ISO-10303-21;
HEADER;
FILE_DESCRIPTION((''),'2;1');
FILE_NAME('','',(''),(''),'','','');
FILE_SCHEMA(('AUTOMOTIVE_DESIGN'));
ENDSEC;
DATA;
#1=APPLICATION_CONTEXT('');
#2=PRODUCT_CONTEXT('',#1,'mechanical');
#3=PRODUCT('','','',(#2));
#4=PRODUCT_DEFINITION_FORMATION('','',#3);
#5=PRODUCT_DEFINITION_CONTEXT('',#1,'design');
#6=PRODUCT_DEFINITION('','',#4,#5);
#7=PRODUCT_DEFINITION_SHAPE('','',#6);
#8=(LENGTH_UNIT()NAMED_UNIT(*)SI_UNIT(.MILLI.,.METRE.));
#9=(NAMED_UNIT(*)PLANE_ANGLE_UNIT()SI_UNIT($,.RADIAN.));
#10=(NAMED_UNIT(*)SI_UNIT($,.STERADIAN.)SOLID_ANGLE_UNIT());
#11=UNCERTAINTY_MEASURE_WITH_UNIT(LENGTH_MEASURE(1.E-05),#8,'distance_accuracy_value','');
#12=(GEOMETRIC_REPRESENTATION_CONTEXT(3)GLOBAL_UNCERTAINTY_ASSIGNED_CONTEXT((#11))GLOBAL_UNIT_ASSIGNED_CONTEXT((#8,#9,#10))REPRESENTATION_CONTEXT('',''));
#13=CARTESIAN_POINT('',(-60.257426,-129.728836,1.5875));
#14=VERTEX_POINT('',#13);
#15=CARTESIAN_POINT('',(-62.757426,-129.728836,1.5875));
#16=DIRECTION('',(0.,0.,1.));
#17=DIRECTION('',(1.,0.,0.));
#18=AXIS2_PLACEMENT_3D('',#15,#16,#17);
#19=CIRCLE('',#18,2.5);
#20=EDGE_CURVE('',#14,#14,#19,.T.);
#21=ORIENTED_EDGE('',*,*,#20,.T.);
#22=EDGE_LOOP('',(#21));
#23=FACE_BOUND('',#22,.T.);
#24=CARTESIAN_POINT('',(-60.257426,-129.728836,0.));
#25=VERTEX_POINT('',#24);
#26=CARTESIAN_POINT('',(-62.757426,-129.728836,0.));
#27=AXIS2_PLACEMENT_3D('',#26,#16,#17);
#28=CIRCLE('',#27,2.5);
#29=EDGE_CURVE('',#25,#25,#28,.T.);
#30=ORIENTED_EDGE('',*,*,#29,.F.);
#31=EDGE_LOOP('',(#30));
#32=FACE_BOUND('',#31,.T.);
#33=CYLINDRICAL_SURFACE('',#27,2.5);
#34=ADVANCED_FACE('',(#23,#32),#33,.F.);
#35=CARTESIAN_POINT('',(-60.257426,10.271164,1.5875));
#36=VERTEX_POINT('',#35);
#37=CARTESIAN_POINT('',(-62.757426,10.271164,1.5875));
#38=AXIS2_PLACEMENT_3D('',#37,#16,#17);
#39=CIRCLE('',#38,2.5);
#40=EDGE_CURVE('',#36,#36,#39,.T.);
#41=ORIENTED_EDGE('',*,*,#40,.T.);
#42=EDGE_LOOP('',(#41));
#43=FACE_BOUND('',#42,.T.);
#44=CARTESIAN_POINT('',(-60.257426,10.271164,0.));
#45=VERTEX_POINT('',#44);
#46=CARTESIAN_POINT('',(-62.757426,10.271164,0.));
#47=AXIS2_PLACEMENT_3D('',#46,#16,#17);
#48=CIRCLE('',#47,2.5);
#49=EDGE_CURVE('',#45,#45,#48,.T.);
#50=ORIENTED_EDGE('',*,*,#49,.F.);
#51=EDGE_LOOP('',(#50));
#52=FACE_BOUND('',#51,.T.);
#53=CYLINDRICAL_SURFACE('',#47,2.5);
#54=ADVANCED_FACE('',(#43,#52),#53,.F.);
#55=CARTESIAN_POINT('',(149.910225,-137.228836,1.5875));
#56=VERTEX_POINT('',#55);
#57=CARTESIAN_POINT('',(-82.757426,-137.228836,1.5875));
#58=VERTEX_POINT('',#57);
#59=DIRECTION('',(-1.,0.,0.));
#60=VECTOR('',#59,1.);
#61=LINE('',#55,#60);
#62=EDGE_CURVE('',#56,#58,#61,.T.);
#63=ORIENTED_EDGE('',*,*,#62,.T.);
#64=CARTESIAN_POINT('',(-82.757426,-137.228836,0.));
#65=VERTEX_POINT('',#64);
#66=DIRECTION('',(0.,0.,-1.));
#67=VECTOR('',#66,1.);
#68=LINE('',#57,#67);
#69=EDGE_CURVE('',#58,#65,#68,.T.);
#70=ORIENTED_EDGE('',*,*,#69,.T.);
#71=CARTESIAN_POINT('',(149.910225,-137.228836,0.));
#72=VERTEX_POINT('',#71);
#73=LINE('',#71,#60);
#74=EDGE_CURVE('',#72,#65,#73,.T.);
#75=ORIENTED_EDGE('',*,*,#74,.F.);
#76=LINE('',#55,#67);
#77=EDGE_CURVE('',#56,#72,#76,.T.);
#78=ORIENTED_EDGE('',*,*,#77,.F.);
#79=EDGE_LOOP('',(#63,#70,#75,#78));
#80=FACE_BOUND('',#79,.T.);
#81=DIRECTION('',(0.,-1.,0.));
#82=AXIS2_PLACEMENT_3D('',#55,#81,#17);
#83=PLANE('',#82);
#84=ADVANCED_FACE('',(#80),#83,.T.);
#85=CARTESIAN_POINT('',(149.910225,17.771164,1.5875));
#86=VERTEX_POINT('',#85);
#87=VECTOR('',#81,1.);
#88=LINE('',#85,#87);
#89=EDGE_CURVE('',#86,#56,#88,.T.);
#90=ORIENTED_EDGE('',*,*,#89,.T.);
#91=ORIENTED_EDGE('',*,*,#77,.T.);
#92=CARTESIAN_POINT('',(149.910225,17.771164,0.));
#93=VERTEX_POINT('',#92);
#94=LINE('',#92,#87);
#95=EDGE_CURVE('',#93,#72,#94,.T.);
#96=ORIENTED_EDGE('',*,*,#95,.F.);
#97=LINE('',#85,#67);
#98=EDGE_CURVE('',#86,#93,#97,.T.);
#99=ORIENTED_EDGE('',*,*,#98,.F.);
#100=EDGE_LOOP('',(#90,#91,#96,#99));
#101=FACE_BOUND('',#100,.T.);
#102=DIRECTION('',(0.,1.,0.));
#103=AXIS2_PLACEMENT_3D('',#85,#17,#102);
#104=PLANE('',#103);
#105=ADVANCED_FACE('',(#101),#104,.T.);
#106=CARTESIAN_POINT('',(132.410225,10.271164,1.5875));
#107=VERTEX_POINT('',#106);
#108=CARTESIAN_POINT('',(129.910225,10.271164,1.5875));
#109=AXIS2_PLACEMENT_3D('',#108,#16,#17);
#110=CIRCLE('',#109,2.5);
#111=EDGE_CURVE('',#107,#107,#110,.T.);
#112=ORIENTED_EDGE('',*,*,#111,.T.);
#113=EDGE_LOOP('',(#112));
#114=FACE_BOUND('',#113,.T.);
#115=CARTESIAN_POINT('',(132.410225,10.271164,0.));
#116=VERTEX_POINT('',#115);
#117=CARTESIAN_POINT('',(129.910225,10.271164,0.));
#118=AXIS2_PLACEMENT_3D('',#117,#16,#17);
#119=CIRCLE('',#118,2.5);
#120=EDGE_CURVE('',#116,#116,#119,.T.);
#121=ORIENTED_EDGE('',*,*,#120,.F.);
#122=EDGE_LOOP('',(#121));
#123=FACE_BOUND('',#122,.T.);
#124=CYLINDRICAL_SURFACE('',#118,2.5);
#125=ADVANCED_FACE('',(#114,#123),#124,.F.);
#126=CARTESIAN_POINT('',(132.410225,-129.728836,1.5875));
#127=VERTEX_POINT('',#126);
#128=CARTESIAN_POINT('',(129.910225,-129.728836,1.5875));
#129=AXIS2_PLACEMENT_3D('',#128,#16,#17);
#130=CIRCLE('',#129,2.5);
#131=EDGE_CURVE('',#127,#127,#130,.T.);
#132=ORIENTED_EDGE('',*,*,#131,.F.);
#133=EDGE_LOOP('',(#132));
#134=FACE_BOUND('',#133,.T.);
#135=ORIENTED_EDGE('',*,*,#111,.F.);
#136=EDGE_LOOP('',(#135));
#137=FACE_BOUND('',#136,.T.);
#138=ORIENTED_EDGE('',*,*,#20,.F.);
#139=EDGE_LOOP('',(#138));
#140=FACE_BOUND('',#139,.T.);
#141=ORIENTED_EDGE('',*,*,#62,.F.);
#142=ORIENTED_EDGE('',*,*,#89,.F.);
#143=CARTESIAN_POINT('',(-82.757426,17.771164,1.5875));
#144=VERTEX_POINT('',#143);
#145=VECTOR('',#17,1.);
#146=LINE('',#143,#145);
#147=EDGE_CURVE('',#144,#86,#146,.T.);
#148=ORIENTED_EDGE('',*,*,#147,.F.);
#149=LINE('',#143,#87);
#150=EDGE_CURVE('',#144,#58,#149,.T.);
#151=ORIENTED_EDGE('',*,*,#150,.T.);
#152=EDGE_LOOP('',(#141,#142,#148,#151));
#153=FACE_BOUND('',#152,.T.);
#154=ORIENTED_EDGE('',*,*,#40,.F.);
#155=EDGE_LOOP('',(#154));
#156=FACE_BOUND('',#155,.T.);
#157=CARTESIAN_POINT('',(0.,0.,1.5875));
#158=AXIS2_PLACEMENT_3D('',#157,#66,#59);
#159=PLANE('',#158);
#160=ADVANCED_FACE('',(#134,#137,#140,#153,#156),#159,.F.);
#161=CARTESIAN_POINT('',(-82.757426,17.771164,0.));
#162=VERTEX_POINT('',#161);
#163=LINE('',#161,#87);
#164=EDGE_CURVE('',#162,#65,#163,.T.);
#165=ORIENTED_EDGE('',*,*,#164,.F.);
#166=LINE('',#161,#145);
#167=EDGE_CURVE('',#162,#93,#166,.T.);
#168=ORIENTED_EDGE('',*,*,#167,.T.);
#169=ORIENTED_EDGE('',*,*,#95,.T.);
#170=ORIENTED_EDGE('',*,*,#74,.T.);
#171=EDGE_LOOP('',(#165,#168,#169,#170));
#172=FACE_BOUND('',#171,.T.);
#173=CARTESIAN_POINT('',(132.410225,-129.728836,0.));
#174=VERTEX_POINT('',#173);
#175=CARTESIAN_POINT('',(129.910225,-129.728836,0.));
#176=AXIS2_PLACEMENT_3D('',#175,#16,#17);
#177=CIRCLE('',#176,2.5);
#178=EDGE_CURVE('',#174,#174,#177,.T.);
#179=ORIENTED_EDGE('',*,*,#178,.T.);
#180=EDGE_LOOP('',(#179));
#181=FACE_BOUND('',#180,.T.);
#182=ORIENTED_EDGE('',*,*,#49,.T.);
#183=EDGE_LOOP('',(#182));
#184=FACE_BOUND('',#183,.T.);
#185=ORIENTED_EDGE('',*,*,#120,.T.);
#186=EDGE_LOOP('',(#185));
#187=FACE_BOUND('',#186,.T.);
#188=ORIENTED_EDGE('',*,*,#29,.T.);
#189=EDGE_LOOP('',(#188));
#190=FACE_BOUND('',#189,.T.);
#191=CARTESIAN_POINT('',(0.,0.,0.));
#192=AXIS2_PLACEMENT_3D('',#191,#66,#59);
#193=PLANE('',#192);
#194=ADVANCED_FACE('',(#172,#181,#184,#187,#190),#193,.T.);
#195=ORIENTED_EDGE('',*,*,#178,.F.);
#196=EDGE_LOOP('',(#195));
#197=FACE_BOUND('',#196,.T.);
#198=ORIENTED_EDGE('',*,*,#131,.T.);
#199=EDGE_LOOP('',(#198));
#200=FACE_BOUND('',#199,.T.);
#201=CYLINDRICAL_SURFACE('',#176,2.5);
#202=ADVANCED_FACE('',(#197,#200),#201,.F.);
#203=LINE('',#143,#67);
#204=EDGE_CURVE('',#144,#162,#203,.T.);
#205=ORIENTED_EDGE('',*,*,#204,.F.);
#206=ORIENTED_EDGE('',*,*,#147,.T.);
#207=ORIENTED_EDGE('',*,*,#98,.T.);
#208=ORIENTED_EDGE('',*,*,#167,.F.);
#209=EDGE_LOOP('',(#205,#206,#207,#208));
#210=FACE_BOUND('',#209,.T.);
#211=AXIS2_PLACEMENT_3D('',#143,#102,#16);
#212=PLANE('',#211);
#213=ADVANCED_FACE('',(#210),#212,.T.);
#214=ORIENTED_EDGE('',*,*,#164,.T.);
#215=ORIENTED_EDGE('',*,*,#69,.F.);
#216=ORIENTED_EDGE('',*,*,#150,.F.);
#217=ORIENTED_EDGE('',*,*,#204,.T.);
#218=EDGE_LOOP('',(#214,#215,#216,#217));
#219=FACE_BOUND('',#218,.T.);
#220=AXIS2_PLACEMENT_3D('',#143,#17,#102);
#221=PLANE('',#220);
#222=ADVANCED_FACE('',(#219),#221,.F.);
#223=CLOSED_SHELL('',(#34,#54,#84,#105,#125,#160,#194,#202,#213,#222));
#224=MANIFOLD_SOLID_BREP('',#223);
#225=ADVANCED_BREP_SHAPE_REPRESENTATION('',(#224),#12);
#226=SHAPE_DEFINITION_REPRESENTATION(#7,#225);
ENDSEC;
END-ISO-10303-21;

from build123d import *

# Parameters (mm, degrees)
SKETCH1_W           = 232.6676516
SKETCH1_H           = 155
BOSS_EXTRUDE1_DEPTH = 1.5875
SKETCH6_R           = 2.5
CUT_EXTRUDE1_DEPTH  = 204.242095442


with BuildPart() as part:
    # Sketch1 → Boss-Extrude1 (new body)
    with BuildSketch(Plane.XY):
        with Locations((33.576399593, -59.72883635)):
            Rectangle(SKETCH1_W, SKETCH1_H)
    extrude(amount=BOSS_EXTRUDE1_DEPTH)

    # Sketch6 → Cut-Extrude1 (cut, through all)
    with BuildSketch(Plane.XY.offset(1.5875)):
        with Locations((-62.757426207, 10.27116365)):
            Circle(SKETCH6_R)
        with Locations((129.910225393, 10.27116365)):
            Circle(SKETCH6_R)
        with Locations((-62.757426207, -129.72883635)):
            Circle(SKETCH6_R)
        with Locations((129.910225393, -129.72883635)):
            Circle(SKETCH6_R)
    extrude(amount=-CUT_EXTRUDE1_DEPTH, mode=Mode.SUBTRACT)


solid = part.part
